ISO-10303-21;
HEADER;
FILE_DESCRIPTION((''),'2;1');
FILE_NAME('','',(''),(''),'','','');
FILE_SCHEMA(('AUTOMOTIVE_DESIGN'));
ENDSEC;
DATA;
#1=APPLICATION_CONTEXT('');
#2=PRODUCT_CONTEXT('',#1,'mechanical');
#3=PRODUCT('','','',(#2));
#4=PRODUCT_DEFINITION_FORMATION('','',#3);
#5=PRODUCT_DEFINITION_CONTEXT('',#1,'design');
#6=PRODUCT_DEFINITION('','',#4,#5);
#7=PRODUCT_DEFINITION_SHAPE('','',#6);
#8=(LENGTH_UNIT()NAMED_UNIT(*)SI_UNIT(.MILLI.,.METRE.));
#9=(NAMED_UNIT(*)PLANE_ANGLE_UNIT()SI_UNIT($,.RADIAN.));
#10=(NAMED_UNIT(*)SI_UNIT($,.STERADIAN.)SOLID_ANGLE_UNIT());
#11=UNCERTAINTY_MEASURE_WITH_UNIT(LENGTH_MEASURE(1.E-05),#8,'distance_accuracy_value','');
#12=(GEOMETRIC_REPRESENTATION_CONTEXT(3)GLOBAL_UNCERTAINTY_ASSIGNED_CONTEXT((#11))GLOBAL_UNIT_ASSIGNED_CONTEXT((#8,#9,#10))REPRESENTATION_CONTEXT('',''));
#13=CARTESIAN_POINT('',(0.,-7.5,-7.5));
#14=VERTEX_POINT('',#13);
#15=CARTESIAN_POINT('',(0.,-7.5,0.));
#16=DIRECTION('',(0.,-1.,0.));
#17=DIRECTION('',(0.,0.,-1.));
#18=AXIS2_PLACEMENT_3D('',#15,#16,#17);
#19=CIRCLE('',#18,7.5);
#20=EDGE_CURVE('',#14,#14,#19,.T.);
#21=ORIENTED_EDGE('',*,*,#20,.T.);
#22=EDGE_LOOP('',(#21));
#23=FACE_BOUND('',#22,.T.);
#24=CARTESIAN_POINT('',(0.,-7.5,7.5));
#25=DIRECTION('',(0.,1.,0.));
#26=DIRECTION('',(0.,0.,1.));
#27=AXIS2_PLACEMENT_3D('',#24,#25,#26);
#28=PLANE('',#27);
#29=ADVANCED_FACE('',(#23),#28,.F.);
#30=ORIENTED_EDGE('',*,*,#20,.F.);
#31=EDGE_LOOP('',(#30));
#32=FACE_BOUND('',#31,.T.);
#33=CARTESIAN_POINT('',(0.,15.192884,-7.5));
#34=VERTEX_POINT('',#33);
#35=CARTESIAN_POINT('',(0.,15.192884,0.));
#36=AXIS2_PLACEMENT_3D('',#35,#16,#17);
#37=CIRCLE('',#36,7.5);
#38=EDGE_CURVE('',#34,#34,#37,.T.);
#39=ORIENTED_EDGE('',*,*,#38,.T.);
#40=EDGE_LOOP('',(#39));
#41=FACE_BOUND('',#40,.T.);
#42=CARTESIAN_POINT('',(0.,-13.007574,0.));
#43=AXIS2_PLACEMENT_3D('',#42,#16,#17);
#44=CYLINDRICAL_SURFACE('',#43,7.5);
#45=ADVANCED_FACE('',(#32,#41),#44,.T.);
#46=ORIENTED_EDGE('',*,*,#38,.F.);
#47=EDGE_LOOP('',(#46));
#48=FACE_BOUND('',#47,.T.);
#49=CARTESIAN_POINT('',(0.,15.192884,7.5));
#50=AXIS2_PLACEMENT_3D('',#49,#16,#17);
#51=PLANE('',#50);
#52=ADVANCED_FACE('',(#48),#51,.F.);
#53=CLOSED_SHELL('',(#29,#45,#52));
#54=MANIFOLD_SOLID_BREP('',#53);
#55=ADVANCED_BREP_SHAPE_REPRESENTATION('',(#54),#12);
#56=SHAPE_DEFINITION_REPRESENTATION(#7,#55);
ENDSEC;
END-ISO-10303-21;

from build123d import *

# Parameters (mm, degrees)
SKETCH2_W = 22.692883694
SKETCH2_H = 7.5


with BuildPart() as part:
    # Sketch2 → Revolve2 (revolve)
    with BuildSketch(Plane.YZ, mode=Mode.PRIVATE) as revolve2_sk:
        with Locations((3.846441847, 3.75)):
            Rectangle(SKETCH2_W, SKETCH2_H)
    revolve(revolve2_sk.sketch.rotate(Axis((0, -13.007574153, 0), (0, 1, 0)), 180), axis=Axis((0, -13.007574153, 0), (0, 1, 0)))


solid = part.part
